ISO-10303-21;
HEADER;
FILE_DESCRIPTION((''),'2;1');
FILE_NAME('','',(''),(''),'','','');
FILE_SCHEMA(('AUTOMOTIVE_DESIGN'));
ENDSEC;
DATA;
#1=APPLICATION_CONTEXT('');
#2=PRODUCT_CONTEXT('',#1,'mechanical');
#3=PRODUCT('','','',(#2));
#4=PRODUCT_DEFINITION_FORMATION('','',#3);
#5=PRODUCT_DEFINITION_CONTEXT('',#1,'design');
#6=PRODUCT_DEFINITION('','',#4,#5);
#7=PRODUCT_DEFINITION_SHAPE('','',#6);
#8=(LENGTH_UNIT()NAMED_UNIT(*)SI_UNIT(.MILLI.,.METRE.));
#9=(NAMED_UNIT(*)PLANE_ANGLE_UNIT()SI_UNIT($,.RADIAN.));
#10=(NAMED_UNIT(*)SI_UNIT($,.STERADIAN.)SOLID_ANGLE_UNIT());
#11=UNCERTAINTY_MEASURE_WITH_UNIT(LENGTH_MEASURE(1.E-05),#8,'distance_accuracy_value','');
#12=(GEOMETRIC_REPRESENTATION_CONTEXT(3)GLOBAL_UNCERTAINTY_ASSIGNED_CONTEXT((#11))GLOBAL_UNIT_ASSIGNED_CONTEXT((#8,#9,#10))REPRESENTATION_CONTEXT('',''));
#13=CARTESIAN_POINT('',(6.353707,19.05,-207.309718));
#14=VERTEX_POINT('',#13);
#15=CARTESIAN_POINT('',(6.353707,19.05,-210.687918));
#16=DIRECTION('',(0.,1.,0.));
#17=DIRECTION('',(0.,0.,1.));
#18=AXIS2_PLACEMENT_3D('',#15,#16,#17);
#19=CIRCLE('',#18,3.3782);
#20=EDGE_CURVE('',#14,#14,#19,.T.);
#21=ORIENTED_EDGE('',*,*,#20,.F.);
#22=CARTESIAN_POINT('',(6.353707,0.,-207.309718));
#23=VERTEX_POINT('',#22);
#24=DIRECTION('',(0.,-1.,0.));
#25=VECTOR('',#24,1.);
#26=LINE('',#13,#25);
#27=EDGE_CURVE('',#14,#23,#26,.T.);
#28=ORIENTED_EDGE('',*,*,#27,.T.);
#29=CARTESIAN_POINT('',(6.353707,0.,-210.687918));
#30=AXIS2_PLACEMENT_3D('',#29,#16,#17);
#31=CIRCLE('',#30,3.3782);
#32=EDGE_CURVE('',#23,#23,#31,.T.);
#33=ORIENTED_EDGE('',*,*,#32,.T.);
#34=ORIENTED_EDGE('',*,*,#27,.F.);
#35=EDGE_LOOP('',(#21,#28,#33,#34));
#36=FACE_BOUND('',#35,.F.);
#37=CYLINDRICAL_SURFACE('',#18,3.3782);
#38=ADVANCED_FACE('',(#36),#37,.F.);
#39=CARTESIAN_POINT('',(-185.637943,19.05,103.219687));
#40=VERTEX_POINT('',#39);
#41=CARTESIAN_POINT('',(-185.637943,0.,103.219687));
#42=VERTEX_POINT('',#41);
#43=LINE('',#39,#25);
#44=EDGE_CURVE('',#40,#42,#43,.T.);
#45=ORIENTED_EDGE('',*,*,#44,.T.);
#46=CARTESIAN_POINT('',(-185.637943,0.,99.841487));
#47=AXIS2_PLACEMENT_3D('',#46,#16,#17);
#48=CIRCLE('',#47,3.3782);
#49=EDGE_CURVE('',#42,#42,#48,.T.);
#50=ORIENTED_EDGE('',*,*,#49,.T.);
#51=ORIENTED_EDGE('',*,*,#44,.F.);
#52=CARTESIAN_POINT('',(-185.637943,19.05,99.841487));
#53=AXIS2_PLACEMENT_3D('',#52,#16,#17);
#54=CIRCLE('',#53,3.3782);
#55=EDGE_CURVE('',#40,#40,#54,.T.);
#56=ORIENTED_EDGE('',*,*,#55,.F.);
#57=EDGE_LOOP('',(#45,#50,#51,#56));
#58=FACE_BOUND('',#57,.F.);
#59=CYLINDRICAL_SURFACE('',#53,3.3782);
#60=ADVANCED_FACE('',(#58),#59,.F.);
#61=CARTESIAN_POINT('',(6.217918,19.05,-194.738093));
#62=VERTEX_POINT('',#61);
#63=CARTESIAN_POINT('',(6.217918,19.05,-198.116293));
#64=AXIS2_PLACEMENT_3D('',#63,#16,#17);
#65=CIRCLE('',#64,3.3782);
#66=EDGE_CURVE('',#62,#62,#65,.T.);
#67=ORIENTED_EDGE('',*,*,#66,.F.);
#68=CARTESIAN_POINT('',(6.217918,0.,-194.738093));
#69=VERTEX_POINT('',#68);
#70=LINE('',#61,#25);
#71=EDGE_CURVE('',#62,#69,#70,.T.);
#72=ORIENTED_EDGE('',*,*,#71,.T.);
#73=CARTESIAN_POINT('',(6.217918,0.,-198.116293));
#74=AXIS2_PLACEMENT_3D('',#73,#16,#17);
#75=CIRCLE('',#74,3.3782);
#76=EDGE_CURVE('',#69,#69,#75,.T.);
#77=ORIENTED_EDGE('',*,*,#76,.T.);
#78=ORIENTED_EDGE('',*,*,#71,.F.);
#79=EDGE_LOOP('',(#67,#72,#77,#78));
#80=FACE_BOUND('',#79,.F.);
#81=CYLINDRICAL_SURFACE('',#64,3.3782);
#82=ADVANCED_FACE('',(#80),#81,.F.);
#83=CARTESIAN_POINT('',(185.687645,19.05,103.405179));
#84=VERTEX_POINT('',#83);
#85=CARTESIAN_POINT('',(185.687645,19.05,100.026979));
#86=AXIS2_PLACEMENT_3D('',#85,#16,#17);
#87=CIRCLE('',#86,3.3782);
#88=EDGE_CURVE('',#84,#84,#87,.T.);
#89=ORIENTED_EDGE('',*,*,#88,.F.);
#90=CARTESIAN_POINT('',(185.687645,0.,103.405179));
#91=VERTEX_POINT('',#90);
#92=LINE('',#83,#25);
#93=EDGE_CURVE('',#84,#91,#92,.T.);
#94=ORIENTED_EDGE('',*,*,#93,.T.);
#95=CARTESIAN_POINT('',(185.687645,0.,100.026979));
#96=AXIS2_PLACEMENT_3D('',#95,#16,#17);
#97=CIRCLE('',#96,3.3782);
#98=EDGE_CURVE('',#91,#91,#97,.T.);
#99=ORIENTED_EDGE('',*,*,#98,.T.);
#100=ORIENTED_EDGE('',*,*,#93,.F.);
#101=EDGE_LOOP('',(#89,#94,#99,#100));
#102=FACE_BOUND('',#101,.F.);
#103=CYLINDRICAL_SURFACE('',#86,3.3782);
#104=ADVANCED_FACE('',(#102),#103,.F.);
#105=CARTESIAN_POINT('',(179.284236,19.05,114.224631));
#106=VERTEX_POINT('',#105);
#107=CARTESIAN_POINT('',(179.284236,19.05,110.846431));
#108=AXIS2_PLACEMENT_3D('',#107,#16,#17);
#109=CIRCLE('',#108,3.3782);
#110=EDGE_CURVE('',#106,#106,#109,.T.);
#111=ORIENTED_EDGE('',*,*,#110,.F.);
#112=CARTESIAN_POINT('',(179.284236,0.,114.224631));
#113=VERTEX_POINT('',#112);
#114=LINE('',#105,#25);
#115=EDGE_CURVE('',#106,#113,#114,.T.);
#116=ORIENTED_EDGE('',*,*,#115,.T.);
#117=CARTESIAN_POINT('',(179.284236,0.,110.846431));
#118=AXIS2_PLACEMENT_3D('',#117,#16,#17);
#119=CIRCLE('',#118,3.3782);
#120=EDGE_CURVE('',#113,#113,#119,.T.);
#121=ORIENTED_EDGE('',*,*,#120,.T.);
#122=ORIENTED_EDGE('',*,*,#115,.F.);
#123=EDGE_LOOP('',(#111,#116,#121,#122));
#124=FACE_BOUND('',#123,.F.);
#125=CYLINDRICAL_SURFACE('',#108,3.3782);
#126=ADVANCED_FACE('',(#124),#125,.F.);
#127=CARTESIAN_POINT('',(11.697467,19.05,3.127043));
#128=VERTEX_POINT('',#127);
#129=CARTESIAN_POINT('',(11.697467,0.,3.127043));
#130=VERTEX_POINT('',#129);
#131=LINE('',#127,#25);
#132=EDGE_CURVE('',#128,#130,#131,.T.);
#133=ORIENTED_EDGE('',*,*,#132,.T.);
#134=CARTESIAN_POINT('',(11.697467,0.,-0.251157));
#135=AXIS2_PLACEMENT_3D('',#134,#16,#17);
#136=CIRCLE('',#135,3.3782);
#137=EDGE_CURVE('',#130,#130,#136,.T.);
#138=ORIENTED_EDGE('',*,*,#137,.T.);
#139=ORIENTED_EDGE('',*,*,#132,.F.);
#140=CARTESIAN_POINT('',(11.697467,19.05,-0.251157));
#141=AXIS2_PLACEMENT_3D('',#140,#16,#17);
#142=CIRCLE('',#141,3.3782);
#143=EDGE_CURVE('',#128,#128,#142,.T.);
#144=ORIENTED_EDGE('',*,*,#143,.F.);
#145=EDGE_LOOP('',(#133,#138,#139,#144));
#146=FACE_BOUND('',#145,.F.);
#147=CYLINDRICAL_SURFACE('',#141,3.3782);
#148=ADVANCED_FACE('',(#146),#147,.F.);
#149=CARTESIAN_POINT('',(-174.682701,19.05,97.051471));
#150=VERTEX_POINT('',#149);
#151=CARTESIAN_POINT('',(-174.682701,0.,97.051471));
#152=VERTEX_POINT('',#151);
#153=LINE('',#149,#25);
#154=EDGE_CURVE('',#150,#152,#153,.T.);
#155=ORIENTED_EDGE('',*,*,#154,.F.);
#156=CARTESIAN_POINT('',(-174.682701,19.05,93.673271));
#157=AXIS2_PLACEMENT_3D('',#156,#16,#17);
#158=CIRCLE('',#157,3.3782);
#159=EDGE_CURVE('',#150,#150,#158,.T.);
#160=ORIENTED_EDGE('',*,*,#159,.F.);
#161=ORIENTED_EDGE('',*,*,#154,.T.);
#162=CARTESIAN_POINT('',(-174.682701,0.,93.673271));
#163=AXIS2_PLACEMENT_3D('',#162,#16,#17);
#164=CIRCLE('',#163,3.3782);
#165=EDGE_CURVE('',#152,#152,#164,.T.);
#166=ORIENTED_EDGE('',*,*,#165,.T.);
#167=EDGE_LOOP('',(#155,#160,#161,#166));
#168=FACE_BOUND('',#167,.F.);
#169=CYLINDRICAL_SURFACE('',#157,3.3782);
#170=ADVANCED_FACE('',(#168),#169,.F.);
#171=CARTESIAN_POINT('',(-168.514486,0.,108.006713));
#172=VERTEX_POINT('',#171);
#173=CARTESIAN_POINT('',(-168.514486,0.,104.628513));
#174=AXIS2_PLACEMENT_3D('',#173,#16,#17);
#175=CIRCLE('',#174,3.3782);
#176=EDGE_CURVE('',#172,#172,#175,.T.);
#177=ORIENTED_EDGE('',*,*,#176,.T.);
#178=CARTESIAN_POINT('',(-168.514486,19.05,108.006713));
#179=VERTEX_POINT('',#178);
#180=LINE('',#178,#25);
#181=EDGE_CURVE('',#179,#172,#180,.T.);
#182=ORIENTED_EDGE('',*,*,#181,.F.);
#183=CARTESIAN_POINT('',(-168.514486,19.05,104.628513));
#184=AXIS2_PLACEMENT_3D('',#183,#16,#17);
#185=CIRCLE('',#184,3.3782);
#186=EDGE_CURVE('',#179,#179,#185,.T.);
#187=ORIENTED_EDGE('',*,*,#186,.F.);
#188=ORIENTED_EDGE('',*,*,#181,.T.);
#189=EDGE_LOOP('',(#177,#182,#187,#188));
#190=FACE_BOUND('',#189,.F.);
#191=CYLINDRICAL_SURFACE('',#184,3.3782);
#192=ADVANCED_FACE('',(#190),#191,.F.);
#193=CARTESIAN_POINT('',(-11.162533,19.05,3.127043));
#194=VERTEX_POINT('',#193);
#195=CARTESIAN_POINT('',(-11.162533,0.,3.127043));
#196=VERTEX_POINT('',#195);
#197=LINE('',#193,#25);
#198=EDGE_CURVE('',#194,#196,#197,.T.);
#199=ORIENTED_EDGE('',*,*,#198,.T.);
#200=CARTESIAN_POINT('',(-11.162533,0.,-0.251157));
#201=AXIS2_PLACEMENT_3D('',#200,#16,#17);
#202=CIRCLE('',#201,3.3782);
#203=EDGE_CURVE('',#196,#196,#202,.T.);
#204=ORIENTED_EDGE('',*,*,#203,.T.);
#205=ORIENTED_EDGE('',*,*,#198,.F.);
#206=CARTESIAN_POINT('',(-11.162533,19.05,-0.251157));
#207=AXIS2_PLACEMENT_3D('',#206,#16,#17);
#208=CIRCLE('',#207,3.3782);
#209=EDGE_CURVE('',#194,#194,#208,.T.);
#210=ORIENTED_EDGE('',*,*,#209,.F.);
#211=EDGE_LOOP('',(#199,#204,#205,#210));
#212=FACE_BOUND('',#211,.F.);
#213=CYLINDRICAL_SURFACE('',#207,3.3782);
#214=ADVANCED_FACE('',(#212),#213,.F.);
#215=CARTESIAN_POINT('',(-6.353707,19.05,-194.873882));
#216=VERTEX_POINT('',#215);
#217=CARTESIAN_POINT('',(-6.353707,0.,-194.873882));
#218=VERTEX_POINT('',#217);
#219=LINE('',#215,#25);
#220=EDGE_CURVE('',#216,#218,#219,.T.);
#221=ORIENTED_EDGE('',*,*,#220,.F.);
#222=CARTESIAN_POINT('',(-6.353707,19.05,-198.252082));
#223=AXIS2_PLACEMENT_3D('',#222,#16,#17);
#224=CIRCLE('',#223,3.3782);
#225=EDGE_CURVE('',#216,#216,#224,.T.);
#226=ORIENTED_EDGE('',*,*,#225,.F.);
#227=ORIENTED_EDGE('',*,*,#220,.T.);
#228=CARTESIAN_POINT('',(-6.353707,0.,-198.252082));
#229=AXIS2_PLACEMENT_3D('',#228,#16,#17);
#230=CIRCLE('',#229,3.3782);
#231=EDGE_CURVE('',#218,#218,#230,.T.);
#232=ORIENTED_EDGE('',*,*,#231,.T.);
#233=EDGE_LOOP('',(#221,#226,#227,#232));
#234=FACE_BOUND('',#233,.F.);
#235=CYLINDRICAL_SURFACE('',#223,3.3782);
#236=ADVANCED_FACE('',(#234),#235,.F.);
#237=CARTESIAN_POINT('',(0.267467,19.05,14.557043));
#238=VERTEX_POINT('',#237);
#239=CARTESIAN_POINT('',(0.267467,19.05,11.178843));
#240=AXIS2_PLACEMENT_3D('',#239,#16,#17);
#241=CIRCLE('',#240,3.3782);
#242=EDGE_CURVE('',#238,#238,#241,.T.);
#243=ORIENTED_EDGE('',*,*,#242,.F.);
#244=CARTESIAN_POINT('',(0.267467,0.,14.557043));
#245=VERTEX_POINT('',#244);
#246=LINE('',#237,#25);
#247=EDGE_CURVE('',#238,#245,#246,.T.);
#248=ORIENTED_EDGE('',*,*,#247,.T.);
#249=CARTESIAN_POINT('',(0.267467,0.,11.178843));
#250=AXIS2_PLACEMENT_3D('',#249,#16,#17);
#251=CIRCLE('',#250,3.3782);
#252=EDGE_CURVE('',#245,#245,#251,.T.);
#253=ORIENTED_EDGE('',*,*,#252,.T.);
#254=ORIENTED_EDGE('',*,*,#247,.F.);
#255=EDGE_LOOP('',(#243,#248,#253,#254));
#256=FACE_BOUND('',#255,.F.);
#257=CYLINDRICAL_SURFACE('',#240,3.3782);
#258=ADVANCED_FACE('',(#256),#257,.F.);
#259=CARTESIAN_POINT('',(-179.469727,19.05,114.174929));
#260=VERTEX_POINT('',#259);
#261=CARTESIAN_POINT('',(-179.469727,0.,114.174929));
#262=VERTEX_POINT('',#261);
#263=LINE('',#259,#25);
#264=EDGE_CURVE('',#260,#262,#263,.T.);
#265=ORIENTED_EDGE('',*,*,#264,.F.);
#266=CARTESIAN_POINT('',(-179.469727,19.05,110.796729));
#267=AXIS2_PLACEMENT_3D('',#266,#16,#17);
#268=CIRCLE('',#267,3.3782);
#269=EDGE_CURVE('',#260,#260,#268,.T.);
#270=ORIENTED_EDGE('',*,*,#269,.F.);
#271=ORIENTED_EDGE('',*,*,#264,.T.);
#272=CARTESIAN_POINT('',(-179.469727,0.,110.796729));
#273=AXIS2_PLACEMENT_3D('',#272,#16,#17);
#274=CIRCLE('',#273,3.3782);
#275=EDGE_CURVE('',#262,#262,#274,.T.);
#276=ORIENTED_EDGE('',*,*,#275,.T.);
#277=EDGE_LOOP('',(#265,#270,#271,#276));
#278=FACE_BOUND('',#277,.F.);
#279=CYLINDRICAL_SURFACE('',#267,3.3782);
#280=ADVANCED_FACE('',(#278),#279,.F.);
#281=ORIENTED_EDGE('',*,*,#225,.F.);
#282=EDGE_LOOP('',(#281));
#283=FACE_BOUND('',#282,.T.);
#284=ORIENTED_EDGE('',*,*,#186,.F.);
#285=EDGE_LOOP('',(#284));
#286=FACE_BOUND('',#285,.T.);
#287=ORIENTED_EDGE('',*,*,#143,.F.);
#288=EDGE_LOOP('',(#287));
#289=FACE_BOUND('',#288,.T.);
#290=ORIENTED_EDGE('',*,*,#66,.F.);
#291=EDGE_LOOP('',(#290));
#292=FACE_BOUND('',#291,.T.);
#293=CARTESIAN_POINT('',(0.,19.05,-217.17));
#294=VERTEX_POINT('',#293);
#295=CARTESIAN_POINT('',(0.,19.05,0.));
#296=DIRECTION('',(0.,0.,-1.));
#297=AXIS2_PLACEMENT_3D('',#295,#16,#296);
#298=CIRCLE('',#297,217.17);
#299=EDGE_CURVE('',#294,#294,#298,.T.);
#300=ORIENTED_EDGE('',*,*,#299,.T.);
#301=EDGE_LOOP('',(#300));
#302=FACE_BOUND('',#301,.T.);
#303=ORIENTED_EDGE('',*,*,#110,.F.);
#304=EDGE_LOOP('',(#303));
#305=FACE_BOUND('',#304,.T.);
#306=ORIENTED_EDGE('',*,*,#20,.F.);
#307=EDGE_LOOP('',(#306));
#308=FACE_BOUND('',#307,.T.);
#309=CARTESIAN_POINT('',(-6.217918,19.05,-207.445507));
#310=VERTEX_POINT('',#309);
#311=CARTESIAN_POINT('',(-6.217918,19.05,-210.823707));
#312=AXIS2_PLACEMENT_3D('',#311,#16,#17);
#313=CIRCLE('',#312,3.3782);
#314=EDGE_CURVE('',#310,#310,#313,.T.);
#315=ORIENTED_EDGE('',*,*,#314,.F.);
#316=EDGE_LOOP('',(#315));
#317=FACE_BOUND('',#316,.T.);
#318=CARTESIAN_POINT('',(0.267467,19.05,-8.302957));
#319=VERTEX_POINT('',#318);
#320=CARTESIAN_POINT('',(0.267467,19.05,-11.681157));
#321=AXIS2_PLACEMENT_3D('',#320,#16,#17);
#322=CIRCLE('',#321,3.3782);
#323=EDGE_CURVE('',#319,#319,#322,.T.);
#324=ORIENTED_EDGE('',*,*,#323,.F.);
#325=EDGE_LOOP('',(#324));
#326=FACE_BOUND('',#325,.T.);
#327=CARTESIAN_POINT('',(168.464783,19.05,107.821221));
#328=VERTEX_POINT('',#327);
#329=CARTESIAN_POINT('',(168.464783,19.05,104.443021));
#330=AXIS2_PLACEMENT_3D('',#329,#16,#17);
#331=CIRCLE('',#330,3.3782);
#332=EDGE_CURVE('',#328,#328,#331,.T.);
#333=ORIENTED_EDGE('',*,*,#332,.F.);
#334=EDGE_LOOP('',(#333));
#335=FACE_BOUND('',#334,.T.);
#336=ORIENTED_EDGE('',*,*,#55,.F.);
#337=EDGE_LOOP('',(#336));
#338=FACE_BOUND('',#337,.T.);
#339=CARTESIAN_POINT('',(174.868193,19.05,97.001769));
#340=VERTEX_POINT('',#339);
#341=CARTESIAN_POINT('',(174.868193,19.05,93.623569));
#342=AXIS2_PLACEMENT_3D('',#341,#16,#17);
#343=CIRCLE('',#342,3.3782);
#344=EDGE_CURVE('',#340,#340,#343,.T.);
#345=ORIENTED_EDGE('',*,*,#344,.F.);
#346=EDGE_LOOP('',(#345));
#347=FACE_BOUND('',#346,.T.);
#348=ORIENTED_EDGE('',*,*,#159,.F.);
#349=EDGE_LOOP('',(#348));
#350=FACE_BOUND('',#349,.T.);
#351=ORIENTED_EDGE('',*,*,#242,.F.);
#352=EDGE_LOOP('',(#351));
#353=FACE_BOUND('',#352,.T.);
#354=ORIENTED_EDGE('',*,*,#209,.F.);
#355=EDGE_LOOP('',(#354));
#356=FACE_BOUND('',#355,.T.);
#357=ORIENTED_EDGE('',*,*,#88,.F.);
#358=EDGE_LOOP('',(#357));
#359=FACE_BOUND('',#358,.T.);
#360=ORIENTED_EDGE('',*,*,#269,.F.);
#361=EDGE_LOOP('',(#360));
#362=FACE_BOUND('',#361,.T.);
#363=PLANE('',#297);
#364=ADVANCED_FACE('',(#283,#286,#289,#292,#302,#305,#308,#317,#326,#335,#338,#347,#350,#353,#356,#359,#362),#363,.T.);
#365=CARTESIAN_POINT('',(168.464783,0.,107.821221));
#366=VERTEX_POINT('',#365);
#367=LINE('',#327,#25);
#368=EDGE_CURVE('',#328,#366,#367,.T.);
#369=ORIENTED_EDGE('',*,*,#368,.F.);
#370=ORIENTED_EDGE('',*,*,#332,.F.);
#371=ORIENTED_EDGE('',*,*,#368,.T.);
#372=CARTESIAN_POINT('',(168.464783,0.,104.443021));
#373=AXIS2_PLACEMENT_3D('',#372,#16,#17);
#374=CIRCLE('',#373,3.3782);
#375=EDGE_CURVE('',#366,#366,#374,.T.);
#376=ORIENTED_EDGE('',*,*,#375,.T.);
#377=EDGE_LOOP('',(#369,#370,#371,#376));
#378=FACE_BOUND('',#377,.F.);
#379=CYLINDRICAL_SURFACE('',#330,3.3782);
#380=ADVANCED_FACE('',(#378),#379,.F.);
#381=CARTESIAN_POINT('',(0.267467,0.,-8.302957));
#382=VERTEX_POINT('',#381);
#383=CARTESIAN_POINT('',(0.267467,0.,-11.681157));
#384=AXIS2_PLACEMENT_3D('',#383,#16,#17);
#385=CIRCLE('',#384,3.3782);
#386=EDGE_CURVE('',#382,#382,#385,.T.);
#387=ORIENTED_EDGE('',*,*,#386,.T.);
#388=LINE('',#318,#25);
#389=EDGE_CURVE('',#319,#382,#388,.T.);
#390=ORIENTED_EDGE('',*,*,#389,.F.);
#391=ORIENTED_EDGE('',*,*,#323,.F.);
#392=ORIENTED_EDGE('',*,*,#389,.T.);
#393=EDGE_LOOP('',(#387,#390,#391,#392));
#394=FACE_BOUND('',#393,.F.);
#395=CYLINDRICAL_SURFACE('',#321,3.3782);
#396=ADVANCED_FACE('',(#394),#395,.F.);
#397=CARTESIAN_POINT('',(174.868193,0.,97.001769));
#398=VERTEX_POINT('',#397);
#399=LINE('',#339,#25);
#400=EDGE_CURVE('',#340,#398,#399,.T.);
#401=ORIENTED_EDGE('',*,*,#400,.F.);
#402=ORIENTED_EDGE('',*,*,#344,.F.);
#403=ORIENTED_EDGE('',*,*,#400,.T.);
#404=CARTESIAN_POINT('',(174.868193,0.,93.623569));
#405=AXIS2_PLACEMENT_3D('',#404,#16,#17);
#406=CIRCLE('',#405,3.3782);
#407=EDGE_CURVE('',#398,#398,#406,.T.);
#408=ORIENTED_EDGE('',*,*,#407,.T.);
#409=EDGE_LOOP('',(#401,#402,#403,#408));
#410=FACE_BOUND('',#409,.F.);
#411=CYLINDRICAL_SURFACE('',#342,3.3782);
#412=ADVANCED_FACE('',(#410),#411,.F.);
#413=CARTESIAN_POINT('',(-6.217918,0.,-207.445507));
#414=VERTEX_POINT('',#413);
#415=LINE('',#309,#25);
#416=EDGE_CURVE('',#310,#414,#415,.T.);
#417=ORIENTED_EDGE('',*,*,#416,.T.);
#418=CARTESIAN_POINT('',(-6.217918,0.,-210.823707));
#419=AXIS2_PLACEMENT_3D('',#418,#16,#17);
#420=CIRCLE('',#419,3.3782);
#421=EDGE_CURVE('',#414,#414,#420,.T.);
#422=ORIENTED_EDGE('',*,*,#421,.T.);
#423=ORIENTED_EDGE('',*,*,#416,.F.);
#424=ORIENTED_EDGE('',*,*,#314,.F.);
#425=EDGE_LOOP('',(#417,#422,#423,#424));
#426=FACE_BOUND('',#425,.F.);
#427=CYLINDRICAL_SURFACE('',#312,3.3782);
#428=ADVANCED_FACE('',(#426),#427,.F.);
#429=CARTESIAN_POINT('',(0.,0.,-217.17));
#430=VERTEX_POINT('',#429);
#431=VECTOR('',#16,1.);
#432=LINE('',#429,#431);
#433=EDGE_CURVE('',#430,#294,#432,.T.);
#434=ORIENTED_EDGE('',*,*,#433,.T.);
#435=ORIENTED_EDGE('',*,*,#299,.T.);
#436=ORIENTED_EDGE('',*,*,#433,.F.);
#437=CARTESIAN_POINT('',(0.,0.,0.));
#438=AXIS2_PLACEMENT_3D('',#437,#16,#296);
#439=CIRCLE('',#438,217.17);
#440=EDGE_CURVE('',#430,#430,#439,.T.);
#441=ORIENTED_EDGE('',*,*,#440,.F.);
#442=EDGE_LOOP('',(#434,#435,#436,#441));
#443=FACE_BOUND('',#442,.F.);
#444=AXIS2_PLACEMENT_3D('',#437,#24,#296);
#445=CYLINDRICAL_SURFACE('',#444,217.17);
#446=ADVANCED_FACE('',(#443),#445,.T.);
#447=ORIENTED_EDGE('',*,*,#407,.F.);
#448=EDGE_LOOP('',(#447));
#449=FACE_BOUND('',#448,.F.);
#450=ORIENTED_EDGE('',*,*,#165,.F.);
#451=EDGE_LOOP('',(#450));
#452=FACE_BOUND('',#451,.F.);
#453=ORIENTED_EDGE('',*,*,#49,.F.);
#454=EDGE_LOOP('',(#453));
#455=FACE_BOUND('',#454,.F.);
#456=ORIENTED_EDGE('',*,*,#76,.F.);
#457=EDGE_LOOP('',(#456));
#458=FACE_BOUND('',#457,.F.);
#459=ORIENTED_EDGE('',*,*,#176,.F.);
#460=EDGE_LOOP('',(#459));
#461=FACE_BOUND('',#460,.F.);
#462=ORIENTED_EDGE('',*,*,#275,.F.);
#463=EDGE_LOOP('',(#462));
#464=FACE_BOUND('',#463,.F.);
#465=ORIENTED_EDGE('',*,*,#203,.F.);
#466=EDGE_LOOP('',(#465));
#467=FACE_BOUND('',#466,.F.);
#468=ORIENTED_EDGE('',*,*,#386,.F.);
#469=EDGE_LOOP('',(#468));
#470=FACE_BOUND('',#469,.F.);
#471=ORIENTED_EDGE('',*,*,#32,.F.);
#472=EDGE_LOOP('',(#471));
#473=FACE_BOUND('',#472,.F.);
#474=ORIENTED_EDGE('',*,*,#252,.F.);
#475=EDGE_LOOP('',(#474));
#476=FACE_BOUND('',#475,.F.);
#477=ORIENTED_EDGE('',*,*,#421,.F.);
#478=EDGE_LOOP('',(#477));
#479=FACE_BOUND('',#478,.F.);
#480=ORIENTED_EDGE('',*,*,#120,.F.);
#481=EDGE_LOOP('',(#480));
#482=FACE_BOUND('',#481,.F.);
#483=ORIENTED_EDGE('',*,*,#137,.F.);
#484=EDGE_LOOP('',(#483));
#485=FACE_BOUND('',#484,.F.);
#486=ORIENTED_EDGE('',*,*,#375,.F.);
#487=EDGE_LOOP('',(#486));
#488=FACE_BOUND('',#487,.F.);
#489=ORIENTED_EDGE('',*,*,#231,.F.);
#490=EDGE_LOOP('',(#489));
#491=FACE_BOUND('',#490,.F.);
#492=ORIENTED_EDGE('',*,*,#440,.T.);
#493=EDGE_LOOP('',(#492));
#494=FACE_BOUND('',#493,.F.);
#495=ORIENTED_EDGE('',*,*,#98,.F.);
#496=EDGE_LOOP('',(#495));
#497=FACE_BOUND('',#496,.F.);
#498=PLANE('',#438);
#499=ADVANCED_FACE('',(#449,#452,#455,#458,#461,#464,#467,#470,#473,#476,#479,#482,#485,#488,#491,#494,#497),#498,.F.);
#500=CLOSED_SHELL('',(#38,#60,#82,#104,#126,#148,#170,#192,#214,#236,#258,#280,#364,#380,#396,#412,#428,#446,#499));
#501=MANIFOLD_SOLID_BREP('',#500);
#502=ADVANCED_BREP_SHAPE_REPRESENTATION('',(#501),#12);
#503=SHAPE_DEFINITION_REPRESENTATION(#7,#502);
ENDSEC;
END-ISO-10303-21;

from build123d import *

# Parameters (mm, degrees)
SKETCH2_R           = 217.17
BOSS_EXTRUDE1_DEPTH = 19.05
SKETCH3_R           = 3.3782
CUT_EXTRUDE1_DEPTH  = 19.05


with BuildPart() as part:
    # Sketch2 → Boss-Extrude1 (new body)
    with BuildSketch(Plane(origin=(0, 0, 0), x_dir=(1, 0, 0), z_dir=(0, 1, 0))):
        with Locations(Location((0, 0, 0), (0, 0, 90))):
            Circle(SKETCH2_R)
    extrude(amount=BOSS_EXTRUDE1_DEPTH)

    # Sketch3 → Cut-Extrude1 (cut)
    with BuildSketch(Plane(origin=(0, 19.05, 0), x_dir=(1, 0, 0), z_dir=(0, 1, 0))):
        with Locations(Location((-6.217918031, 210.823707214, 0), (0, 0, 270))):
            Circle(SKETCH3_R)
        with Locations(Location((6.353707214, 210.687918031, 0), (0, 0, 270))):
            Circle(SKETCH3_R)
        with Locations(Location((6.217918031, 198.116292786, 0), (0, 0, 270))):
            Circle(SKETCH3_R)
        with Locations(Location((-6.353707214, 198.252081969, 0), (0, 0, 270))):
            Circle(SKETCH3_R)
        with Locations(Location((185.687645183, -100.026978634, 0), (0, 0, 270))):
            Circle(SKETCH3_R)
        with Locations(Location((179.284235678, -110.846430871, 0), (0, 0, 270))):
            Circle(SKETCH3_R)
        with Locations(Location((0.267466586, -11.178843279, 0), (0, 0, 270))):
            Circle(SKETCH3_R)
        with Locations(Location((-11.162533414, 0.251156721, 0), (0, 0, 270))):
            Circle(SKETCH3_R)
        with Locations(Location((0.267466586, 11.681156721, 0), (0, 0, 270))):
            Circle(SKETCH3_R)
        with Locations(Location((11.697466586, 0.251156721, 0), (0, 0, 270))):
            Circle(SKETCH3_R)
        with Locations(Location((168.464783441, -104.443021366, 0), (0, 0, 270))):
            Circle(SKETCH3_R)
        with Locations(Location((174.868192945, -93.623569129, 0), (0, 0, 270))):
            Circle(SKETCH3_R)
        with Locations(Location((-179.469727152, -110.79672858, 0), (0, 0, 270))):
            Circle(SKETCH3_R)
        with Locations(Location((-185.637942892, -99.84148716, 0), (0, 0, 270))):
            Circle(SKETCH3_R)
        with Locations(Location((-174.682701472, -93.67327142, 0), (0, 0, 270))):
            Circle(SKETCH3_R)
        with Locations(Location((-168.514485731, -104.62851284, 0), (0, 0, 270))):
            Circle(SKETCH3_R)
    extrude(amount=-CUT_EXTRUDE1_DEPTH, mode=Mode.SUBTRACT)


solid = part.part
